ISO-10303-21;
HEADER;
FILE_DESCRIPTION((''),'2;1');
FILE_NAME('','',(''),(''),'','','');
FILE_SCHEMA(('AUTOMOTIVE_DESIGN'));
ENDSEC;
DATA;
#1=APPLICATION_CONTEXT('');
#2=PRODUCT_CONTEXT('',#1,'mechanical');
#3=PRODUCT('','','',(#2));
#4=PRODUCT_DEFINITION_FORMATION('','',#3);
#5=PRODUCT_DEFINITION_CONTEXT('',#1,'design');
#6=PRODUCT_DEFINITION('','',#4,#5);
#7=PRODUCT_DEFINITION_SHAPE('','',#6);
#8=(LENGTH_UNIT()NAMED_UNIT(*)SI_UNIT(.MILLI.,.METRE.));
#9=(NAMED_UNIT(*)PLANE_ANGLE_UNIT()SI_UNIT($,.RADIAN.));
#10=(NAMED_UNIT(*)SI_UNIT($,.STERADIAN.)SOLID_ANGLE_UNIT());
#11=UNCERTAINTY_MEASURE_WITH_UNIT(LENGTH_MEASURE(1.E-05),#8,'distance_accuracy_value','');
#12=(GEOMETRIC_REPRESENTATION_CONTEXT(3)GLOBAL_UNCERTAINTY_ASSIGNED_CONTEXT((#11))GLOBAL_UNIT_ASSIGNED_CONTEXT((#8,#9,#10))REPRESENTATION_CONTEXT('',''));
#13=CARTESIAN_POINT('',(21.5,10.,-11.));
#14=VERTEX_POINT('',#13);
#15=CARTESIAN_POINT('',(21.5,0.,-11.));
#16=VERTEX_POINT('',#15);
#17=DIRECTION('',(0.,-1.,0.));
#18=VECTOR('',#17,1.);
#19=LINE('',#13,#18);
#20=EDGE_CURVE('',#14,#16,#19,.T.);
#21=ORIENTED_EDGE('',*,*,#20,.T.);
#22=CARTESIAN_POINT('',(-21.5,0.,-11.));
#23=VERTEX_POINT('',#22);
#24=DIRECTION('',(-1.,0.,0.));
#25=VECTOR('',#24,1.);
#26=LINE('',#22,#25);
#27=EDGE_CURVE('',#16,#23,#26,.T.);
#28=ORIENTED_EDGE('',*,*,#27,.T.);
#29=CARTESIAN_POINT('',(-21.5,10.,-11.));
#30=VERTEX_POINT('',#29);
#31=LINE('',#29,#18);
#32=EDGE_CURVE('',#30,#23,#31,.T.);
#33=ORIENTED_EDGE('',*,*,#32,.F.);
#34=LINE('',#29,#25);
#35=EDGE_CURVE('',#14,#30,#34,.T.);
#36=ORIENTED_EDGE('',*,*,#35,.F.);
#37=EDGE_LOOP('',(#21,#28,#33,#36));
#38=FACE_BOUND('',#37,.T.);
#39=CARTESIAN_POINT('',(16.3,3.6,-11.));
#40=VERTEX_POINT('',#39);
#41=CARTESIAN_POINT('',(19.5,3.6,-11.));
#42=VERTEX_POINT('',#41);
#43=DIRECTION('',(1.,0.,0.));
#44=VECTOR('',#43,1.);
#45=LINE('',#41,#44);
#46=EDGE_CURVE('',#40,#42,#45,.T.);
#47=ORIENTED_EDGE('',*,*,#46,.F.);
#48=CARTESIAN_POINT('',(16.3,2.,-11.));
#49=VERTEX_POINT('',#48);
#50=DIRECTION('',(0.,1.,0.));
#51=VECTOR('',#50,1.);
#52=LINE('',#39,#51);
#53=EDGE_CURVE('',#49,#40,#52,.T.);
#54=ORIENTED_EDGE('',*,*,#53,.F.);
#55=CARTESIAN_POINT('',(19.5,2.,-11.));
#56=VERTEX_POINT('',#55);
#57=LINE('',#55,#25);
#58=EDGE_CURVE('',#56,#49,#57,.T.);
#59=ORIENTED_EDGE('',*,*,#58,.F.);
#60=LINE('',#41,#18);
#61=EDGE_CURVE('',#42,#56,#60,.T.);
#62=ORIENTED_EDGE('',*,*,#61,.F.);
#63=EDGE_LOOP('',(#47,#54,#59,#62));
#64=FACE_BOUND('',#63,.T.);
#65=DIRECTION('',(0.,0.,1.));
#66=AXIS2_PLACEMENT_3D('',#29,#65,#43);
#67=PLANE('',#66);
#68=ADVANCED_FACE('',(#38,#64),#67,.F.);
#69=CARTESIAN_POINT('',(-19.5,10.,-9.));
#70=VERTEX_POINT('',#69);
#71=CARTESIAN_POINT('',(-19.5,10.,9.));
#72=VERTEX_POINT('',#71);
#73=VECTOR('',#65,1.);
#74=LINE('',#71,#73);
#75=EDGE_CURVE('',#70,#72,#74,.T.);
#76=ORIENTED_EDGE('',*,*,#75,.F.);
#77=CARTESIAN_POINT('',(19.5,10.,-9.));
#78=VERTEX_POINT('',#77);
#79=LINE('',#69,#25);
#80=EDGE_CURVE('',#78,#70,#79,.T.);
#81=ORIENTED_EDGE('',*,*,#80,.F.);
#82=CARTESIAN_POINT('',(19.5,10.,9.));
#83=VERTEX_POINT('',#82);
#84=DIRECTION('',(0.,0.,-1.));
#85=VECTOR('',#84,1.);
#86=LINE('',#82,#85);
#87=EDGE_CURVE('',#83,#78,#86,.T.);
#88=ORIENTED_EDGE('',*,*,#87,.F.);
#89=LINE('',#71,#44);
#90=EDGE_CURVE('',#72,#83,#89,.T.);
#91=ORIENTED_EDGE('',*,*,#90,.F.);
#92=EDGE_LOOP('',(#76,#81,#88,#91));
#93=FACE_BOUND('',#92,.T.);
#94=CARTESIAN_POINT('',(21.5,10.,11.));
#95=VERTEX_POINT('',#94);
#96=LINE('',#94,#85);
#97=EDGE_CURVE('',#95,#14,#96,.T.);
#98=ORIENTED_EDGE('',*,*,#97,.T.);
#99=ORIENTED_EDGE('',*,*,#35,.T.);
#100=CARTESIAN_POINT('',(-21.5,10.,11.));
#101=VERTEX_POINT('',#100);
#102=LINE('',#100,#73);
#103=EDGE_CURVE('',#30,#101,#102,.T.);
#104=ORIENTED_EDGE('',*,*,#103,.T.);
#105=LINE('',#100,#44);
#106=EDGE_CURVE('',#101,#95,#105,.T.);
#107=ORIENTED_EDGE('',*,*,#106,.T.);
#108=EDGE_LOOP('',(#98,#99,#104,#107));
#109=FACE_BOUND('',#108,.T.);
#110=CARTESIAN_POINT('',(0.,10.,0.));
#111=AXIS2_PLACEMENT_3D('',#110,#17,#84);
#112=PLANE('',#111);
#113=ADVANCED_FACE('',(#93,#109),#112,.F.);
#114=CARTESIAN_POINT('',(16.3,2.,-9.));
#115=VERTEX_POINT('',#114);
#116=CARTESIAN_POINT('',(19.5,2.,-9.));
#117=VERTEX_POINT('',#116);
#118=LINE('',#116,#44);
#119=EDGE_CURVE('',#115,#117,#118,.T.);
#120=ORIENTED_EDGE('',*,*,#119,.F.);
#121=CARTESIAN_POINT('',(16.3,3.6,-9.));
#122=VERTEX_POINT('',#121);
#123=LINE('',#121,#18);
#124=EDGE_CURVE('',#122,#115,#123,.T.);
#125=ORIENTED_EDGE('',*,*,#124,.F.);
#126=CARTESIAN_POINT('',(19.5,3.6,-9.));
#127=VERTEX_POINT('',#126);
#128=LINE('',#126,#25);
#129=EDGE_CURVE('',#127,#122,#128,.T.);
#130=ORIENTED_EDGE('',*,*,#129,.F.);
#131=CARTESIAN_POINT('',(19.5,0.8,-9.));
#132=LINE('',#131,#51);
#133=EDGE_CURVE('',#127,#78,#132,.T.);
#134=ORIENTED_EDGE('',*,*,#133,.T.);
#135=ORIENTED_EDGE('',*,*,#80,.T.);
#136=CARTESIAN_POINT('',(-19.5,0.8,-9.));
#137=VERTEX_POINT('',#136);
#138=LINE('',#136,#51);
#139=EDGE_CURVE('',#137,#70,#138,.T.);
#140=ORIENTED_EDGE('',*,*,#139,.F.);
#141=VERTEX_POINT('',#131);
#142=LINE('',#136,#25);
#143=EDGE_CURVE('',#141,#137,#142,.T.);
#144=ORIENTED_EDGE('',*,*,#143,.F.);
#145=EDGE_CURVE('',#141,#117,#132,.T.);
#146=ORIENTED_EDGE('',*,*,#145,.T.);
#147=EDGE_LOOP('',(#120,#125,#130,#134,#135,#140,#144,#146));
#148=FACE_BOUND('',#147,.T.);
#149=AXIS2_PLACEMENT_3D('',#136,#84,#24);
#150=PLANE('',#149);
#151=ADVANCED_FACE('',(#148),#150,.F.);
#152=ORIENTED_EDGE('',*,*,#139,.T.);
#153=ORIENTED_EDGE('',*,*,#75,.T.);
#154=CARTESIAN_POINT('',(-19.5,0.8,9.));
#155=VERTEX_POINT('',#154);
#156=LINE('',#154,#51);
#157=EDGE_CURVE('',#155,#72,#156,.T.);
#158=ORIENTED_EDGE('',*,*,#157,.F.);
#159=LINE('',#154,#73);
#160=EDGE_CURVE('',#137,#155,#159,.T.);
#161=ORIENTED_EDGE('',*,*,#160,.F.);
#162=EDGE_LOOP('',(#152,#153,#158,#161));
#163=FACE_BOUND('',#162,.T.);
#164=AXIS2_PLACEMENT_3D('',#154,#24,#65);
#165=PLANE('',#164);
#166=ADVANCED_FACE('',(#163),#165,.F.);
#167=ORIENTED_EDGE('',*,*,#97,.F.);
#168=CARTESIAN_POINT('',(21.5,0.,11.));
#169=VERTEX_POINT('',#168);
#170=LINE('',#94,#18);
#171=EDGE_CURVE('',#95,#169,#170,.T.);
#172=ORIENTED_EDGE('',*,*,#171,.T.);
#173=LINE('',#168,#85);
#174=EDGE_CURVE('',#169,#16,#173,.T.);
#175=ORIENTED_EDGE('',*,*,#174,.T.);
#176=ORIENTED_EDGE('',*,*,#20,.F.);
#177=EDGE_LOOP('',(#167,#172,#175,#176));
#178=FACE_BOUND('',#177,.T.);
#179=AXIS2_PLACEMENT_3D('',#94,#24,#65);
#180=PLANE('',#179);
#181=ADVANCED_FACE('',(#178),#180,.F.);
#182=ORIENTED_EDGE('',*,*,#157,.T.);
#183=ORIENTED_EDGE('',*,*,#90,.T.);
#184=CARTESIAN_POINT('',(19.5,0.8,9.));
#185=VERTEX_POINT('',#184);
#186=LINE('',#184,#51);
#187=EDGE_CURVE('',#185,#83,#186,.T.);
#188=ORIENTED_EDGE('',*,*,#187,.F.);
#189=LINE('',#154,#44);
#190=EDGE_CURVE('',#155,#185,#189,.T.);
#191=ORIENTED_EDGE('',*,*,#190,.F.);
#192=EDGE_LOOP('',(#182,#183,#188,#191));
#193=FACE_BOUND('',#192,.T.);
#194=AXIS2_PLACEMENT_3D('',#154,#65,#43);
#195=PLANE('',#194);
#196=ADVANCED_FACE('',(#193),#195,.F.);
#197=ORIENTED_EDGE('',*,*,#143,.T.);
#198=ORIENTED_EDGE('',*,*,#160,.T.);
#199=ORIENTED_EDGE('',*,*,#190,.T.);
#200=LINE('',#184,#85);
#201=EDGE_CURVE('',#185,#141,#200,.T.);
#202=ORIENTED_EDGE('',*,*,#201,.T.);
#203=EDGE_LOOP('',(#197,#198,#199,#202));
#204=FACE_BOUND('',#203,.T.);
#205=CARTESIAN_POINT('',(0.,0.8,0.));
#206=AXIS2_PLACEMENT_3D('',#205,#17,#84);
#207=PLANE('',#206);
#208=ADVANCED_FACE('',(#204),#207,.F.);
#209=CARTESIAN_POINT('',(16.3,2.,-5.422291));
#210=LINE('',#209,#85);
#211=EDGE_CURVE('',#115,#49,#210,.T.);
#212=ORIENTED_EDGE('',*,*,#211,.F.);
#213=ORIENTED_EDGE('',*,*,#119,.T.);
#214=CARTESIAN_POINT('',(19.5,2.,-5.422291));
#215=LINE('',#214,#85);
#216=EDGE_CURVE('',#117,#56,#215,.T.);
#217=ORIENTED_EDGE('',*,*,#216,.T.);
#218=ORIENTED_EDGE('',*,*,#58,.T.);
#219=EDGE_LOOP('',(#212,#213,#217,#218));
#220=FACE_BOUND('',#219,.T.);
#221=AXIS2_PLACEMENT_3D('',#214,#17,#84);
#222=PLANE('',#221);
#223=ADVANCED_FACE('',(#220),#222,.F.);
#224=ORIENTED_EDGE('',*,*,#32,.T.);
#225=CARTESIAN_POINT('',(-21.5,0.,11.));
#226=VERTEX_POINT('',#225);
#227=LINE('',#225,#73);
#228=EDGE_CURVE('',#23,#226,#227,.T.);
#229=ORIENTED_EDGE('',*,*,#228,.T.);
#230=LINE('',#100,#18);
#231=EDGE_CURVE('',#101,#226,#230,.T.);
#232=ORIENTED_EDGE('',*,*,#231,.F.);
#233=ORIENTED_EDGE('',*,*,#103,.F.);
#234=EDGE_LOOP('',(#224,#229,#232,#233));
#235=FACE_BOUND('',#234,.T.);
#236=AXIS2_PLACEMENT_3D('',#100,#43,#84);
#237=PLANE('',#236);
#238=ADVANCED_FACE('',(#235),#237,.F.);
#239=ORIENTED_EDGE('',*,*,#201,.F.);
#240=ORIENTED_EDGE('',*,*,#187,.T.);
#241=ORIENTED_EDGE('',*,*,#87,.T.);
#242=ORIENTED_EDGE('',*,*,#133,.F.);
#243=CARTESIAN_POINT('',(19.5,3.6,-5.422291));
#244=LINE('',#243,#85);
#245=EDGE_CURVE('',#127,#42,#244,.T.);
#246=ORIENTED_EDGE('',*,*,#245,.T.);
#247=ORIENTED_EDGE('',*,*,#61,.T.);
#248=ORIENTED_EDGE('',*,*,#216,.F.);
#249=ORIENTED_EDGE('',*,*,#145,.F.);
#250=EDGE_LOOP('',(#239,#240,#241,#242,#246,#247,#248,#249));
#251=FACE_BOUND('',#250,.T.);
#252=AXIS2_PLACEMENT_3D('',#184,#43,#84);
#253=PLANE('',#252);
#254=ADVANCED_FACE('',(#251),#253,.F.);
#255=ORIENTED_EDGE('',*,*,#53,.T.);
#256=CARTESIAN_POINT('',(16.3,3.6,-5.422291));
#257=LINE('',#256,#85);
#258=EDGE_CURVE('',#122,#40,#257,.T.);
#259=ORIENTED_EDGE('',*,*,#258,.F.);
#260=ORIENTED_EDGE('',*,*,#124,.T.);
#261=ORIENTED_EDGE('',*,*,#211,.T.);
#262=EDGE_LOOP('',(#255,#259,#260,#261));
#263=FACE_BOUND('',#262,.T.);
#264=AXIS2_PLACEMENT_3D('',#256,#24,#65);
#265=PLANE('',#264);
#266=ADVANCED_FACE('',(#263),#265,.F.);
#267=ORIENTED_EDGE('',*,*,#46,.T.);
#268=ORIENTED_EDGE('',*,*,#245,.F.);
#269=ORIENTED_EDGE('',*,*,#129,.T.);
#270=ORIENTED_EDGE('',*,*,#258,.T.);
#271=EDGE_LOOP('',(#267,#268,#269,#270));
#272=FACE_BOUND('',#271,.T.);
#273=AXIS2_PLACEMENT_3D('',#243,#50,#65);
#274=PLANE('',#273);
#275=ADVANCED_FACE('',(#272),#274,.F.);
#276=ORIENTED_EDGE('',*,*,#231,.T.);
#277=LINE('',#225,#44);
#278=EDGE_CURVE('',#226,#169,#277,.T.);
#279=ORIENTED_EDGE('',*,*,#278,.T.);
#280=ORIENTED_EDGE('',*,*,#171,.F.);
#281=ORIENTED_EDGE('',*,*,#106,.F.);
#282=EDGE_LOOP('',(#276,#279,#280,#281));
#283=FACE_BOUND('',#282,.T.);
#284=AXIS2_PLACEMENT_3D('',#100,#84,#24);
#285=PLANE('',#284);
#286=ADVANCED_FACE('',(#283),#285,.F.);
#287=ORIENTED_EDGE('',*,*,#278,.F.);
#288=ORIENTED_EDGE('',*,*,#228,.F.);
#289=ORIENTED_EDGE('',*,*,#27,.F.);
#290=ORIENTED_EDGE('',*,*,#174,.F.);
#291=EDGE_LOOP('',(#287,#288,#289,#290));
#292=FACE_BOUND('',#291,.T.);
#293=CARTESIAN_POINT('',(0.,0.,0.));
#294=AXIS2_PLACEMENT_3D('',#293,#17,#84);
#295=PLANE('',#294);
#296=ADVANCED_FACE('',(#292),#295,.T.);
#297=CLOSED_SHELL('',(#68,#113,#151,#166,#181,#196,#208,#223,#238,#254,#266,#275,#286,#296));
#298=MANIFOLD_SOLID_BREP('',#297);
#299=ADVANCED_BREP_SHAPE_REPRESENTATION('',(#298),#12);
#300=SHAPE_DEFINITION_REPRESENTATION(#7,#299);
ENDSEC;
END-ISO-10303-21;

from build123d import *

# Parameters (mm, degrees)
SKETCH_1_W          = 43
SKETCH_1_H          = 22
EXTRUDE_2_DEPTH     = 10
SKETCH_3_W          = 39
SKETCH_3_H          = 18
CUT_EXTRUDE_1_DEPTH = 9.2
SKETCH_4_W          = 3.2
SKETCH_4_H          = 1.6
CUT_EXTRUDE_2_DEPTH = 2


with BuildPart() as part:
    # Эскиз1 → Бобышка-Вытянуть2 (new body)
    with BuildSketch(Plane(origin=(0, 0, 0), x_dir=(1, 0, 0), z_dir=(0, 1, 0))):
        Rectangle(SKETCH_1_W, SKETCH_1_H)
    extrude(amount=EXTRUDE_2_DEPTH)

    # Эскиз3 → Вырез-Вытянуть1 (cut)
    with BuildSketch(Plane(origin=(0, 10, 0), x_dir=(1, 0, 0), z_dir=(0, 1, 0))):
        Rectangle(SKETCH_3_W, SKETCH_3_H)
    extrude(amount=-CUT_EXTRUDE_1_DEPTH, mode=Mode.SUBTRACT)

    # Эскиз4 → Вырез-Вытянуть2 (cut)
    with BuildSketch(Plane(origin=(0, 0, -11), x_dir=(-1, 0, 0), z_dir=(0, 0, -1))):
        with Locations((-17.9, 2.8)):
            Rectangle(SKETCH_4_W, SKETCH_4_H)
    extrude(amount=-CUT_EXTRUDE_2_DEPTH, mode=Mode.SUBTRACT)


solid = part.part
